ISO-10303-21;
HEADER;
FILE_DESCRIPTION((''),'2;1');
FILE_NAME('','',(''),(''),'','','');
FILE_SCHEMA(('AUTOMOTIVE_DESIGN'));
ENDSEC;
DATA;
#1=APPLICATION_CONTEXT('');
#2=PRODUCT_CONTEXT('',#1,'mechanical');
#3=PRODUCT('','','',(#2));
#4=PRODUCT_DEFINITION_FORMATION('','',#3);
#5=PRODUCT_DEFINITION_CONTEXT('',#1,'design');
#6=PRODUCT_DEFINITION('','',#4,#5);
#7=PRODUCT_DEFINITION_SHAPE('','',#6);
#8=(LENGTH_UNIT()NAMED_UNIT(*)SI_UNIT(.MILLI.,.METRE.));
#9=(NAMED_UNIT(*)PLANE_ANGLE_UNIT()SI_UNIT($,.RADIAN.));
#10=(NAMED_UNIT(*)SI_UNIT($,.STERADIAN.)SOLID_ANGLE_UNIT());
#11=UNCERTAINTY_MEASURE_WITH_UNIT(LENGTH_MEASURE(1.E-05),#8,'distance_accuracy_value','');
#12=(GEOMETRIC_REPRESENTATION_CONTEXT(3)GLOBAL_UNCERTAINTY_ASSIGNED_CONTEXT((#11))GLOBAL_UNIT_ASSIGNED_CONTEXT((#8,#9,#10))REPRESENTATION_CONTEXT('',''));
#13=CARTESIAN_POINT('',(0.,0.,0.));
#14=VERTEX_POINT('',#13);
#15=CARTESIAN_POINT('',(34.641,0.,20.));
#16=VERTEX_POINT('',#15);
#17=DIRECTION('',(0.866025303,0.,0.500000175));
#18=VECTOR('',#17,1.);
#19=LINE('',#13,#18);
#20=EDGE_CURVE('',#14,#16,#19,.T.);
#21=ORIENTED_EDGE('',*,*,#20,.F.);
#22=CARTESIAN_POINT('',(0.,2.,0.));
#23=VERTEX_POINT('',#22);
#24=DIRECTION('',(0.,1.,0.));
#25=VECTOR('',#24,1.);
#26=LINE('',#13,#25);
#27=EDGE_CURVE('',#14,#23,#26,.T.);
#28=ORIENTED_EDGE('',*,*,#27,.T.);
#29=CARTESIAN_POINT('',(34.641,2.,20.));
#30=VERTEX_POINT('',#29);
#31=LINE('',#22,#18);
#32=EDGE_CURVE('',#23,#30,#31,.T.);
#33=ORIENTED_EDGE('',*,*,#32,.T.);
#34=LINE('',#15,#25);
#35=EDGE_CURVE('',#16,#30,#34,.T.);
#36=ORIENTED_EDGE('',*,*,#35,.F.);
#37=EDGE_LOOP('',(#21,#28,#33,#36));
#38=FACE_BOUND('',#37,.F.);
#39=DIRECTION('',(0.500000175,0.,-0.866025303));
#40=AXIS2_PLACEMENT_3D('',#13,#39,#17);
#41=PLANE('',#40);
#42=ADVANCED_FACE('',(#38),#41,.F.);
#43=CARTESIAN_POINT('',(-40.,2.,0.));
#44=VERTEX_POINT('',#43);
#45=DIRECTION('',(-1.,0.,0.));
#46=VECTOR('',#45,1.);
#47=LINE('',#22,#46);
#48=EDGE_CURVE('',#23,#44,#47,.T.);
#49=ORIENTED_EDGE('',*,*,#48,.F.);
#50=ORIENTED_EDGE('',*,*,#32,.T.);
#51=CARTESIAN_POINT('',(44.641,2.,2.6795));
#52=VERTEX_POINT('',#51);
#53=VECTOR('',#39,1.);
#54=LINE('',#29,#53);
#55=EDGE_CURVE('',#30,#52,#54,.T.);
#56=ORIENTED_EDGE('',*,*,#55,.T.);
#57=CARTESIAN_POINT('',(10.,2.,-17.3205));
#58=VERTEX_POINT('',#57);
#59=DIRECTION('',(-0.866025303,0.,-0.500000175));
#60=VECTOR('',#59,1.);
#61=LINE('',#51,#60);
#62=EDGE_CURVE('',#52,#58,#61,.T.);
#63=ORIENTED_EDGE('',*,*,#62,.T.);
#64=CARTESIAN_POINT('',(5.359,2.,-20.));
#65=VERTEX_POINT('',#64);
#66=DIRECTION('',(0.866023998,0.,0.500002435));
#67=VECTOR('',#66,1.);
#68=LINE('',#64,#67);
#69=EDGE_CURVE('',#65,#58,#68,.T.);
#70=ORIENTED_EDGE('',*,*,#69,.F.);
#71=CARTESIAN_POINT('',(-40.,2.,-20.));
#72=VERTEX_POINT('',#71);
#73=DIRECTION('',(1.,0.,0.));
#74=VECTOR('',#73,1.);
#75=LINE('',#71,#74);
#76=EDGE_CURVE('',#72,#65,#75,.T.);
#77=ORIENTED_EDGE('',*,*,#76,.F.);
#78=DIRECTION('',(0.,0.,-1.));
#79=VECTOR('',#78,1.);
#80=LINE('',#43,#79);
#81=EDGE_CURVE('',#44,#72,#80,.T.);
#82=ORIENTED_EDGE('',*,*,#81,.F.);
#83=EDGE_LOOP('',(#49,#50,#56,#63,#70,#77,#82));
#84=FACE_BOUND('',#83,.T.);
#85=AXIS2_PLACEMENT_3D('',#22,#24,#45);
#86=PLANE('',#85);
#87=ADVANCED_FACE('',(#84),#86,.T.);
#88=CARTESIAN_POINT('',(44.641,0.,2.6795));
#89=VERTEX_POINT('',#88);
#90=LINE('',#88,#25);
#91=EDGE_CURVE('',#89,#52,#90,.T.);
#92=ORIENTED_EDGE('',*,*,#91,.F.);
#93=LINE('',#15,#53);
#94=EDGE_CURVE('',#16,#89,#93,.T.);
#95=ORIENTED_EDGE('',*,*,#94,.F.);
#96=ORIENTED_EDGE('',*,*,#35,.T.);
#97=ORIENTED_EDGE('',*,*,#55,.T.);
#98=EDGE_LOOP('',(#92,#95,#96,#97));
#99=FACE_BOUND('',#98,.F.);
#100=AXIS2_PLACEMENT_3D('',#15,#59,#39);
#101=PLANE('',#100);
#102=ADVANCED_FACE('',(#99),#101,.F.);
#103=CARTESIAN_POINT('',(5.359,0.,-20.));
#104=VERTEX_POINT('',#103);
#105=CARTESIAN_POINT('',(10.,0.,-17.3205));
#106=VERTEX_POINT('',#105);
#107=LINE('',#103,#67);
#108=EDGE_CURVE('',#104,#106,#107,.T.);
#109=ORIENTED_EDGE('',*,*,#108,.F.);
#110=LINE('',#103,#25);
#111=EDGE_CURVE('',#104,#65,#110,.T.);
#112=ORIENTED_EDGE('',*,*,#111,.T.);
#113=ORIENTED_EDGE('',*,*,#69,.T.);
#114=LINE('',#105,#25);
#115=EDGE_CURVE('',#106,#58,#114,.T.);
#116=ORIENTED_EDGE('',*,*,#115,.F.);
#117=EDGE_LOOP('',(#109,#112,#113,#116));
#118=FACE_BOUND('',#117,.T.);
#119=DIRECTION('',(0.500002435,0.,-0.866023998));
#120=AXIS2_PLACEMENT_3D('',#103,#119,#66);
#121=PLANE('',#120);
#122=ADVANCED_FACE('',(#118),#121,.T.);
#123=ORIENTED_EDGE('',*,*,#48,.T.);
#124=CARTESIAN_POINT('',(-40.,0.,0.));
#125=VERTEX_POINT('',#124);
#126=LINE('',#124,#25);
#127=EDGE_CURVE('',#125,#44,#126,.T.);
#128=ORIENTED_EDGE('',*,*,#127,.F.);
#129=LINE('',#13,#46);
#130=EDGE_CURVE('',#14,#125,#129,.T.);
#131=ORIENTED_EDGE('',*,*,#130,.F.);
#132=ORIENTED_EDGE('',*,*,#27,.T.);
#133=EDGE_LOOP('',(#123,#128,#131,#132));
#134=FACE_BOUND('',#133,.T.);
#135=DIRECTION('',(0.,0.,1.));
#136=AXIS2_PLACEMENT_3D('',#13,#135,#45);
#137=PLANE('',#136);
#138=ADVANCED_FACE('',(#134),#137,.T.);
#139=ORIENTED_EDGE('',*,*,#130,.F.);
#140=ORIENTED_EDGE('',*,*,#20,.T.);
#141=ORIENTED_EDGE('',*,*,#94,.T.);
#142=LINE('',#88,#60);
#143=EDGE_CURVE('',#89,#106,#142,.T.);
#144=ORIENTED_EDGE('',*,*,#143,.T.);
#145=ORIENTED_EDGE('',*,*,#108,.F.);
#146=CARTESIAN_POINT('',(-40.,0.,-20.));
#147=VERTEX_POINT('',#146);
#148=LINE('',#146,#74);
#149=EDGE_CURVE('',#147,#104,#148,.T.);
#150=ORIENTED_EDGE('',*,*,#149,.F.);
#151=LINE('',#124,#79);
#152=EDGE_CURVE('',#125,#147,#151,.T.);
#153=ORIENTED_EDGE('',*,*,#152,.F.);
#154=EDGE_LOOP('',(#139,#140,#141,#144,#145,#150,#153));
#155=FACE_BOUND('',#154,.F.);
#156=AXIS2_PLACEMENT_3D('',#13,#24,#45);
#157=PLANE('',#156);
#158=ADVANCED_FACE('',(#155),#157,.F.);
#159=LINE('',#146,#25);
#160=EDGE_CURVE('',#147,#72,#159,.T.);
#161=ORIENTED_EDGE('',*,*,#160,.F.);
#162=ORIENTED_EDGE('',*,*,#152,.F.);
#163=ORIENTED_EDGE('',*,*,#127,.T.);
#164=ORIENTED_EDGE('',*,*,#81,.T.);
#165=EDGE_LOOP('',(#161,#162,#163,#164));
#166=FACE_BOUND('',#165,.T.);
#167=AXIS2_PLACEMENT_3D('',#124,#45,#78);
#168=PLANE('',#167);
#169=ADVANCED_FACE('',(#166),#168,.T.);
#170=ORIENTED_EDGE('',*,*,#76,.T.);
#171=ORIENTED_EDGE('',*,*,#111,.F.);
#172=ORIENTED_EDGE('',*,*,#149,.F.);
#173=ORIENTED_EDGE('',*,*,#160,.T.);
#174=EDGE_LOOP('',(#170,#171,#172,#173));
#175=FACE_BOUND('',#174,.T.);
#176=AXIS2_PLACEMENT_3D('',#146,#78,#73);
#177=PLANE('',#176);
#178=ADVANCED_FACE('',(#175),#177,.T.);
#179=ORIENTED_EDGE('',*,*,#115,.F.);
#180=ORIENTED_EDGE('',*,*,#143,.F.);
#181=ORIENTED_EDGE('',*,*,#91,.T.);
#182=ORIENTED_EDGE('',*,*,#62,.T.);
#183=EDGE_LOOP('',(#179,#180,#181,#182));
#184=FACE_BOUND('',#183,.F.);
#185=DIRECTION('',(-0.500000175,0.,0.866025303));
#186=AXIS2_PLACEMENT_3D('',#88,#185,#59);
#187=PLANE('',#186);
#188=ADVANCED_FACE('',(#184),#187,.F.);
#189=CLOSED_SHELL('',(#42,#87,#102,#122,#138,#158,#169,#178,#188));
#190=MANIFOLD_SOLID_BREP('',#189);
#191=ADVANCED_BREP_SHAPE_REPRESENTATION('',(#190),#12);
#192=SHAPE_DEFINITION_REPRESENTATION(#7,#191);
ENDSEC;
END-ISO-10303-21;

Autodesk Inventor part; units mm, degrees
ref_plane "YZ Plane" through (0, 0, 0) normal (1, 0, 0) x (0, 1, 0)
ref_plane "XZ Plane" through (0, 0, 0) normal (0, 1, 0) x (-1, 0, 0)
ref_plane "XY Plane" through (0, 0, 0) normal (0, 0, 1) x (1, 0, 0)
sketch "Sketch1" plane through (0, 0, 0) normal (0, 1, 0) x (-1, 0, 0)
  line L0 (0, 0) -> (-34.641, 20)
  line L1 (0, 0) -> (40, 0) construction
  line L2 (-34.641, 20) -> (-44.641, 2.6795)
  line L3 (-44.641, 2.6795) -> (-10, -17.3205)
  line L4 (0, 0) -> (40, 0)
  line L5 (40, 0) -> (40, -20)
  line L6 (40, -20) -> (-5.359, -20)
  line L7 (-5.359, -20) -> (-10, -17.3205)
  dimension "d0" = 40
  dimension "d1" = 150
  dimension "d2" = 20
  dimension "d3" = 40
  dimension "d4" = 20
extrude "Extrusion1" add sketch "Sketch1" along normal blind 2
properties part number "150degreesidebracker"
